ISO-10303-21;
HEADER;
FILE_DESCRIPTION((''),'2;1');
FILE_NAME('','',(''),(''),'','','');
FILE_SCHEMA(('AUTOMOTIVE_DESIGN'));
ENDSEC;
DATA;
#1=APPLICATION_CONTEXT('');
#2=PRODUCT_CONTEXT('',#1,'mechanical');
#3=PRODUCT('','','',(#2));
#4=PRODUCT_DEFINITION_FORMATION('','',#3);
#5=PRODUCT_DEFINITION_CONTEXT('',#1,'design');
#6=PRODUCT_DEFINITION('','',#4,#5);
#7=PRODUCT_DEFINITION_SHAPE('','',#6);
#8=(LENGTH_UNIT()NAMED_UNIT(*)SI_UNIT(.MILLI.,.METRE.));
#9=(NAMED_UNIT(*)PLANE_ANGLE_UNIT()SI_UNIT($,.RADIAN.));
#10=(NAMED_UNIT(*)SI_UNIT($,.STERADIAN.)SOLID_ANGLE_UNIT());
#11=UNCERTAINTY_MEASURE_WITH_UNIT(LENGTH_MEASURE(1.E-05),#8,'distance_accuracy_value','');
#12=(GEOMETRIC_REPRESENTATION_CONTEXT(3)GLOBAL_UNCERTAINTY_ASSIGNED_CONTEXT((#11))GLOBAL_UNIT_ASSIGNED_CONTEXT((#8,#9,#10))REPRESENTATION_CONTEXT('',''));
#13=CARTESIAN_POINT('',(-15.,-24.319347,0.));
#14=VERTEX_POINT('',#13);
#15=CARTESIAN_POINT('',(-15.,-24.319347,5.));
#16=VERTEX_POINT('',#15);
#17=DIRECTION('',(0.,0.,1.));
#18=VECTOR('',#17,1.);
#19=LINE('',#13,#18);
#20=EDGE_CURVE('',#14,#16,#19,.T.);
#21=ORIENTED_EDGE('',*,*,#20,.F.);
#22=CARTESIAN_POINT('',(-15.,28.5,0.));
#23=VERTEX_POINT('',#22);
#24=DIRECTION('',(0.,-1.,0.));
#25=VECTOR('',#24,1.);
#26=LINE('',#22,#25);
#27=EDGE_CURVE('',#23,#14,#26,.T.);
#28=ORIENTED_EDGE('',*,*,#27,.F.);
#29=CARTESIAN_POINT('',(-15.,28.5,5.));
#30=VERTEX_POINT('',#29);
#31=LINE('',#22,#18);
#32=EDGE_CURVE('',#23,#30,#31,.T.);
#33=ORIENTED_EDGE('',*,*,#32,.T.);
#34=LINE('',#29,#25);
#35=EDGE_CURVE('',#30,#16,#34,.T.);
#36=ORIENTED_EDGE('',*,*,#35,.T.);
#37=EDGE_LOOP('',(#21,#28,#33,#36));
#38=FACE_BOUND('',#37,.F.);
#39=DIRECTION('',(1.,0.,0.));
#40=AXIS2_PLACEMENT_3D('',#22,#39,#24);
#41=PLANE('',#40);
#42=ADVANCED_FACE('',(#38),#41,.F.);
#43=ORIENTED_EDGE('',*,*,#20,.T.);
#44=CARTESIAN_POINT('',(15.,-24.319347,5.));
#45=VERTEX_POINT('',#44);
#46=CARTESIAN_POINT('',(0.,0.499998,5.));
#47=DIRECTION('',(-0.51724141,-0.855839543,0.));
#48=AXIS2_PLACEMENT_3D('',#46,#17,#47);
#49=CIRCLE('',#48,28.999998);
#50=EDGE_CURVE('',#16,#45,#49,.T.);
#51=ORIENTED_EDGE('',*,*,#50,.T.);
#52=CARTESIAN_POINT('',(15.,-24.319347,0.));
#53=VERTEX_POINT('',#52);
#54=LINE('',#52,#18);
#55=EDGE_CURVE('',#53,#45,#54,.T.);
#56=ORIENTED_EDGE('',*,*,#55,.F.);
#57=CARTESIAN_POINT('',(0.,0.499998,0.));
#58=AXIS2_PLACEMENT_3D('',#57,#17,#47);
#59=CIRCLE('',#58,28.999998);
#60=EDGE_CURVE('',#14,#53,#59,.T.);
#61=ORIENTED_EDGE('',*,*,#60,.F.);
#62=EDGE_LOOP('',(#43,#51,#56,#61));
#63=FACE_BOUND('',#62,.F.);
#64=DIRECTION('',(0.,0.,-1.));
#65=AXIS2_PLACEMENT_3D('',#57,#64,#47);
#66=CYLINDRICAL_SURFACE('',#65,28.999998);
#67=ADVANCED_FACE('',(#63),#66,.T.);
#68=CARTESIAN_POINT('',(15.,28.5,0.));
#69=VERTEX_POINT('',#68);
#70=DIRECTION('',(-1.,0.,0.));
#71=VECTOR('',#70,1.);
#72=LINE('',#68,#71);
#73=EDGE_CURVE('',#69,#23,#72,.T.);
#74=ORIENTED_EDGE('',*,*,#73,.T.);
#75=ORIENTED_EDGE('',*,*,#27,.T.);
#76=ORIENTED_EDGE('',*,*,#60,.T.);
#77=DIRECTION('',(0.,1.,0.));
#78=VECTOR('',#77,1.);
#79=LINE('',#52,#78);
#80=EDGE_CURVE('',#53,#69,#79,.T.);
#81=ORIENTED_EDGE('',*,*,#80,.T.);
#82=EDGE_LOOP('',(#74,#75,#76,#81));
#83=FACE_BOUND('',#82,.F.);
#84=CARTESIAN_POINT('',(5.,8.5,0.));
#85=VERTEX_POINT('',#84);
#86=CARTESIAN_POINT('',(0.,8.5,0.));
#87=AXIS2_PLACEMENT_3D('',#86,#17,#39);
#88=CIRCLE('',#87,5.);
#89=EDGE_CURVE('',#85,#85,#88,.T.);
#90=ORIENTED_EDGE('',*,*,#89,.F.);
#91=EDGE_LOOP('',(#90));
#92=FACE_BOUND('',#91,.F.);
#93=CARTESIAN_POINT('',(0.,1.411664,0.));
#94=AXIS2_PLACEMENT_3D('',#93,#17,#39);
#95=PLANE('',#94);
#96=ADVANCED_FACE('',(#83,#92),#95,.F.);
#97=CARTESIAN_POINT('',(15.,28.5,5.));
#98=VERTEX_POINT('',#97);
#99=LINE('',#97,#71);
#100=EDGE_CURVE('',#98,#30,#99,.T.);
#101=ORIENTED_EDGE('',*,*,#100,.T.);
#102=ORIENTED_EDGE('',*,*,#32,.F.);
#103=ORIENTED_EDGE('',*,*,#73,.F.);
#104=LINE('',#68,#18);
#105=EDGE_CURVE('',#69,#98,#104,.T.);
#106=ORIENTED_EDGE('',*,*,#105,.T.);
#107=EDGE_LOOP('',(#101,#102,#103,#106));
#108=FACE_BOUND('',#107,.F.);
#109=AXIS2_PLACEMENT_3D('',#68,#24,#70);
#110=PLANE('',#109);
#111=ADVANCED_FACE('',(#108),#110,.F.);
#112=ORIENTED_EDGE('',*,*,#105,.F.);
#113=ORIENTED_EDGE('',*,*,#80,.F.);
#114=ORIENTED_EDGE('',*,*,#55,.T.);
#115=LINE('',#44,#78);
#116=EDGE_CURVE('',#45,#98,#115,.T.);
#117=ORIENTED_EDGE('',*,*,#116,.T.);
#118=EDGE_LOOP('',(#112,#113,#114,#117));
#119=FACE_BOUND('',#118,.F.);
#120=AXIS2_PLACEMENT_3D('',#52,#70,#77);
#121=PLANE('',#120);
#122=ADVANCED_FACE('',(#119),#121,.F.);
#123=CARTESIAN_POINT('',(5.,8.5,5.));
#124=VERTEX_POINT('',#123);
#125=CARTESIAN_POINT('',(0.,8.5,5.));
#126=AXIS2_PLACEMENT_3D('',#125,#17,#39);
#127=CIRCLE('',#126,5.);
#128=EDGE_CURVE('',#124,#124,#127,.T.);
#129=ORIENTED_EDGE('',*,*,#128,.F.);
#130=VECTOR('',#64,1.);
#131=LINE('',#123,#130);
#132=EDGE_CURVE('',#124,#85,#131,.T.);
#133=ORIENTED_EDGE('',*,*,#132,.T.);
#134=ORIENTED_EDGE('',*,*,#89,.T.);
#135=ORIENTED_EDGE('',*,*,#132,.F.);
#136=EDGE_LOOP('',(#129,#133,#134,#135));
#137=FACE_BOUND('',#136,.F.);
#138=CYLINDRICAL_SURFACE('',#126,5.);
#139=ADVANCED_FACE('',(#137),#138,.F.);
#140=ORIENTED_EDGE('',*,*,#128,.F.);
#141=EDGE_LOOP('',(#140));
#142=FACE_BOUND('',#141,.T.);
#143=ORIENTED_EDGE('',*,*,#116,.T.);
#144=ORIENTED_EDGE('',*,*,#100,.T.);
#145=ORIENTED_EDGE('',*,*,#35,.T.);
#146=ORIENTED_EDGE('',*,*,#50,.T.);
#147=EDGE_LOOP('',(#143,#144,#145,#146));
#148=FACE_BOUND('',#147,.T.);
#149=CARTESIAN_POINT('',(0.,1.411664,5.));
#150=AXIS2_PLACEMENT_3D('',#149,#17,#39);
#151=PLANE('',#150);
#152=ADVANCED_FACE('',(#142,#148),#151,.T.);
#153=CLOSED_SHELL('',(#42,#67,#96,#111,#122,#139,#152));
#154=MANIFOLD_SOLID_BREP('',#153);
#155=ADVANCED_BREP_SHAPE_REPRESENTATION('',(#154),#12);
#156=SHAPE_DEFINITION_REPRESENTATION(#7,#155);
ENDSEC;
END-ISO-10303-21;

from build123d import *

# Parameters (mm, degrees)
F1_DEPTH = 5
F2_R     = 5
F3_DEPTH = 5


with BuildPart() as f1:
    # F0 (on Top) → F1 (new body)
    with BuildSketch(Plane.XY):
        with BuildLine():
            Line((15, -24.319347), (15, 28.5))
            Line((15, 28.5), (-15, 28.5))
            Line((-15, 28.5), (-15, -24.319347))
            ThreePointArc((-15, -24.319347), (0, -28.5), (15, -24.319347))
        make_face()
    extrude(amount=F1_DEPTH)

    # F2 (on face) → F3 (cut)
    with BuildSketch(Plane.XY.offset(5)):
        with Locations((0, 8.5)):
            Circle(F2_R)
    extrude(amount=-F3_DEPTH, mode=Mode.SUBTRACT)


solid = f1.part
